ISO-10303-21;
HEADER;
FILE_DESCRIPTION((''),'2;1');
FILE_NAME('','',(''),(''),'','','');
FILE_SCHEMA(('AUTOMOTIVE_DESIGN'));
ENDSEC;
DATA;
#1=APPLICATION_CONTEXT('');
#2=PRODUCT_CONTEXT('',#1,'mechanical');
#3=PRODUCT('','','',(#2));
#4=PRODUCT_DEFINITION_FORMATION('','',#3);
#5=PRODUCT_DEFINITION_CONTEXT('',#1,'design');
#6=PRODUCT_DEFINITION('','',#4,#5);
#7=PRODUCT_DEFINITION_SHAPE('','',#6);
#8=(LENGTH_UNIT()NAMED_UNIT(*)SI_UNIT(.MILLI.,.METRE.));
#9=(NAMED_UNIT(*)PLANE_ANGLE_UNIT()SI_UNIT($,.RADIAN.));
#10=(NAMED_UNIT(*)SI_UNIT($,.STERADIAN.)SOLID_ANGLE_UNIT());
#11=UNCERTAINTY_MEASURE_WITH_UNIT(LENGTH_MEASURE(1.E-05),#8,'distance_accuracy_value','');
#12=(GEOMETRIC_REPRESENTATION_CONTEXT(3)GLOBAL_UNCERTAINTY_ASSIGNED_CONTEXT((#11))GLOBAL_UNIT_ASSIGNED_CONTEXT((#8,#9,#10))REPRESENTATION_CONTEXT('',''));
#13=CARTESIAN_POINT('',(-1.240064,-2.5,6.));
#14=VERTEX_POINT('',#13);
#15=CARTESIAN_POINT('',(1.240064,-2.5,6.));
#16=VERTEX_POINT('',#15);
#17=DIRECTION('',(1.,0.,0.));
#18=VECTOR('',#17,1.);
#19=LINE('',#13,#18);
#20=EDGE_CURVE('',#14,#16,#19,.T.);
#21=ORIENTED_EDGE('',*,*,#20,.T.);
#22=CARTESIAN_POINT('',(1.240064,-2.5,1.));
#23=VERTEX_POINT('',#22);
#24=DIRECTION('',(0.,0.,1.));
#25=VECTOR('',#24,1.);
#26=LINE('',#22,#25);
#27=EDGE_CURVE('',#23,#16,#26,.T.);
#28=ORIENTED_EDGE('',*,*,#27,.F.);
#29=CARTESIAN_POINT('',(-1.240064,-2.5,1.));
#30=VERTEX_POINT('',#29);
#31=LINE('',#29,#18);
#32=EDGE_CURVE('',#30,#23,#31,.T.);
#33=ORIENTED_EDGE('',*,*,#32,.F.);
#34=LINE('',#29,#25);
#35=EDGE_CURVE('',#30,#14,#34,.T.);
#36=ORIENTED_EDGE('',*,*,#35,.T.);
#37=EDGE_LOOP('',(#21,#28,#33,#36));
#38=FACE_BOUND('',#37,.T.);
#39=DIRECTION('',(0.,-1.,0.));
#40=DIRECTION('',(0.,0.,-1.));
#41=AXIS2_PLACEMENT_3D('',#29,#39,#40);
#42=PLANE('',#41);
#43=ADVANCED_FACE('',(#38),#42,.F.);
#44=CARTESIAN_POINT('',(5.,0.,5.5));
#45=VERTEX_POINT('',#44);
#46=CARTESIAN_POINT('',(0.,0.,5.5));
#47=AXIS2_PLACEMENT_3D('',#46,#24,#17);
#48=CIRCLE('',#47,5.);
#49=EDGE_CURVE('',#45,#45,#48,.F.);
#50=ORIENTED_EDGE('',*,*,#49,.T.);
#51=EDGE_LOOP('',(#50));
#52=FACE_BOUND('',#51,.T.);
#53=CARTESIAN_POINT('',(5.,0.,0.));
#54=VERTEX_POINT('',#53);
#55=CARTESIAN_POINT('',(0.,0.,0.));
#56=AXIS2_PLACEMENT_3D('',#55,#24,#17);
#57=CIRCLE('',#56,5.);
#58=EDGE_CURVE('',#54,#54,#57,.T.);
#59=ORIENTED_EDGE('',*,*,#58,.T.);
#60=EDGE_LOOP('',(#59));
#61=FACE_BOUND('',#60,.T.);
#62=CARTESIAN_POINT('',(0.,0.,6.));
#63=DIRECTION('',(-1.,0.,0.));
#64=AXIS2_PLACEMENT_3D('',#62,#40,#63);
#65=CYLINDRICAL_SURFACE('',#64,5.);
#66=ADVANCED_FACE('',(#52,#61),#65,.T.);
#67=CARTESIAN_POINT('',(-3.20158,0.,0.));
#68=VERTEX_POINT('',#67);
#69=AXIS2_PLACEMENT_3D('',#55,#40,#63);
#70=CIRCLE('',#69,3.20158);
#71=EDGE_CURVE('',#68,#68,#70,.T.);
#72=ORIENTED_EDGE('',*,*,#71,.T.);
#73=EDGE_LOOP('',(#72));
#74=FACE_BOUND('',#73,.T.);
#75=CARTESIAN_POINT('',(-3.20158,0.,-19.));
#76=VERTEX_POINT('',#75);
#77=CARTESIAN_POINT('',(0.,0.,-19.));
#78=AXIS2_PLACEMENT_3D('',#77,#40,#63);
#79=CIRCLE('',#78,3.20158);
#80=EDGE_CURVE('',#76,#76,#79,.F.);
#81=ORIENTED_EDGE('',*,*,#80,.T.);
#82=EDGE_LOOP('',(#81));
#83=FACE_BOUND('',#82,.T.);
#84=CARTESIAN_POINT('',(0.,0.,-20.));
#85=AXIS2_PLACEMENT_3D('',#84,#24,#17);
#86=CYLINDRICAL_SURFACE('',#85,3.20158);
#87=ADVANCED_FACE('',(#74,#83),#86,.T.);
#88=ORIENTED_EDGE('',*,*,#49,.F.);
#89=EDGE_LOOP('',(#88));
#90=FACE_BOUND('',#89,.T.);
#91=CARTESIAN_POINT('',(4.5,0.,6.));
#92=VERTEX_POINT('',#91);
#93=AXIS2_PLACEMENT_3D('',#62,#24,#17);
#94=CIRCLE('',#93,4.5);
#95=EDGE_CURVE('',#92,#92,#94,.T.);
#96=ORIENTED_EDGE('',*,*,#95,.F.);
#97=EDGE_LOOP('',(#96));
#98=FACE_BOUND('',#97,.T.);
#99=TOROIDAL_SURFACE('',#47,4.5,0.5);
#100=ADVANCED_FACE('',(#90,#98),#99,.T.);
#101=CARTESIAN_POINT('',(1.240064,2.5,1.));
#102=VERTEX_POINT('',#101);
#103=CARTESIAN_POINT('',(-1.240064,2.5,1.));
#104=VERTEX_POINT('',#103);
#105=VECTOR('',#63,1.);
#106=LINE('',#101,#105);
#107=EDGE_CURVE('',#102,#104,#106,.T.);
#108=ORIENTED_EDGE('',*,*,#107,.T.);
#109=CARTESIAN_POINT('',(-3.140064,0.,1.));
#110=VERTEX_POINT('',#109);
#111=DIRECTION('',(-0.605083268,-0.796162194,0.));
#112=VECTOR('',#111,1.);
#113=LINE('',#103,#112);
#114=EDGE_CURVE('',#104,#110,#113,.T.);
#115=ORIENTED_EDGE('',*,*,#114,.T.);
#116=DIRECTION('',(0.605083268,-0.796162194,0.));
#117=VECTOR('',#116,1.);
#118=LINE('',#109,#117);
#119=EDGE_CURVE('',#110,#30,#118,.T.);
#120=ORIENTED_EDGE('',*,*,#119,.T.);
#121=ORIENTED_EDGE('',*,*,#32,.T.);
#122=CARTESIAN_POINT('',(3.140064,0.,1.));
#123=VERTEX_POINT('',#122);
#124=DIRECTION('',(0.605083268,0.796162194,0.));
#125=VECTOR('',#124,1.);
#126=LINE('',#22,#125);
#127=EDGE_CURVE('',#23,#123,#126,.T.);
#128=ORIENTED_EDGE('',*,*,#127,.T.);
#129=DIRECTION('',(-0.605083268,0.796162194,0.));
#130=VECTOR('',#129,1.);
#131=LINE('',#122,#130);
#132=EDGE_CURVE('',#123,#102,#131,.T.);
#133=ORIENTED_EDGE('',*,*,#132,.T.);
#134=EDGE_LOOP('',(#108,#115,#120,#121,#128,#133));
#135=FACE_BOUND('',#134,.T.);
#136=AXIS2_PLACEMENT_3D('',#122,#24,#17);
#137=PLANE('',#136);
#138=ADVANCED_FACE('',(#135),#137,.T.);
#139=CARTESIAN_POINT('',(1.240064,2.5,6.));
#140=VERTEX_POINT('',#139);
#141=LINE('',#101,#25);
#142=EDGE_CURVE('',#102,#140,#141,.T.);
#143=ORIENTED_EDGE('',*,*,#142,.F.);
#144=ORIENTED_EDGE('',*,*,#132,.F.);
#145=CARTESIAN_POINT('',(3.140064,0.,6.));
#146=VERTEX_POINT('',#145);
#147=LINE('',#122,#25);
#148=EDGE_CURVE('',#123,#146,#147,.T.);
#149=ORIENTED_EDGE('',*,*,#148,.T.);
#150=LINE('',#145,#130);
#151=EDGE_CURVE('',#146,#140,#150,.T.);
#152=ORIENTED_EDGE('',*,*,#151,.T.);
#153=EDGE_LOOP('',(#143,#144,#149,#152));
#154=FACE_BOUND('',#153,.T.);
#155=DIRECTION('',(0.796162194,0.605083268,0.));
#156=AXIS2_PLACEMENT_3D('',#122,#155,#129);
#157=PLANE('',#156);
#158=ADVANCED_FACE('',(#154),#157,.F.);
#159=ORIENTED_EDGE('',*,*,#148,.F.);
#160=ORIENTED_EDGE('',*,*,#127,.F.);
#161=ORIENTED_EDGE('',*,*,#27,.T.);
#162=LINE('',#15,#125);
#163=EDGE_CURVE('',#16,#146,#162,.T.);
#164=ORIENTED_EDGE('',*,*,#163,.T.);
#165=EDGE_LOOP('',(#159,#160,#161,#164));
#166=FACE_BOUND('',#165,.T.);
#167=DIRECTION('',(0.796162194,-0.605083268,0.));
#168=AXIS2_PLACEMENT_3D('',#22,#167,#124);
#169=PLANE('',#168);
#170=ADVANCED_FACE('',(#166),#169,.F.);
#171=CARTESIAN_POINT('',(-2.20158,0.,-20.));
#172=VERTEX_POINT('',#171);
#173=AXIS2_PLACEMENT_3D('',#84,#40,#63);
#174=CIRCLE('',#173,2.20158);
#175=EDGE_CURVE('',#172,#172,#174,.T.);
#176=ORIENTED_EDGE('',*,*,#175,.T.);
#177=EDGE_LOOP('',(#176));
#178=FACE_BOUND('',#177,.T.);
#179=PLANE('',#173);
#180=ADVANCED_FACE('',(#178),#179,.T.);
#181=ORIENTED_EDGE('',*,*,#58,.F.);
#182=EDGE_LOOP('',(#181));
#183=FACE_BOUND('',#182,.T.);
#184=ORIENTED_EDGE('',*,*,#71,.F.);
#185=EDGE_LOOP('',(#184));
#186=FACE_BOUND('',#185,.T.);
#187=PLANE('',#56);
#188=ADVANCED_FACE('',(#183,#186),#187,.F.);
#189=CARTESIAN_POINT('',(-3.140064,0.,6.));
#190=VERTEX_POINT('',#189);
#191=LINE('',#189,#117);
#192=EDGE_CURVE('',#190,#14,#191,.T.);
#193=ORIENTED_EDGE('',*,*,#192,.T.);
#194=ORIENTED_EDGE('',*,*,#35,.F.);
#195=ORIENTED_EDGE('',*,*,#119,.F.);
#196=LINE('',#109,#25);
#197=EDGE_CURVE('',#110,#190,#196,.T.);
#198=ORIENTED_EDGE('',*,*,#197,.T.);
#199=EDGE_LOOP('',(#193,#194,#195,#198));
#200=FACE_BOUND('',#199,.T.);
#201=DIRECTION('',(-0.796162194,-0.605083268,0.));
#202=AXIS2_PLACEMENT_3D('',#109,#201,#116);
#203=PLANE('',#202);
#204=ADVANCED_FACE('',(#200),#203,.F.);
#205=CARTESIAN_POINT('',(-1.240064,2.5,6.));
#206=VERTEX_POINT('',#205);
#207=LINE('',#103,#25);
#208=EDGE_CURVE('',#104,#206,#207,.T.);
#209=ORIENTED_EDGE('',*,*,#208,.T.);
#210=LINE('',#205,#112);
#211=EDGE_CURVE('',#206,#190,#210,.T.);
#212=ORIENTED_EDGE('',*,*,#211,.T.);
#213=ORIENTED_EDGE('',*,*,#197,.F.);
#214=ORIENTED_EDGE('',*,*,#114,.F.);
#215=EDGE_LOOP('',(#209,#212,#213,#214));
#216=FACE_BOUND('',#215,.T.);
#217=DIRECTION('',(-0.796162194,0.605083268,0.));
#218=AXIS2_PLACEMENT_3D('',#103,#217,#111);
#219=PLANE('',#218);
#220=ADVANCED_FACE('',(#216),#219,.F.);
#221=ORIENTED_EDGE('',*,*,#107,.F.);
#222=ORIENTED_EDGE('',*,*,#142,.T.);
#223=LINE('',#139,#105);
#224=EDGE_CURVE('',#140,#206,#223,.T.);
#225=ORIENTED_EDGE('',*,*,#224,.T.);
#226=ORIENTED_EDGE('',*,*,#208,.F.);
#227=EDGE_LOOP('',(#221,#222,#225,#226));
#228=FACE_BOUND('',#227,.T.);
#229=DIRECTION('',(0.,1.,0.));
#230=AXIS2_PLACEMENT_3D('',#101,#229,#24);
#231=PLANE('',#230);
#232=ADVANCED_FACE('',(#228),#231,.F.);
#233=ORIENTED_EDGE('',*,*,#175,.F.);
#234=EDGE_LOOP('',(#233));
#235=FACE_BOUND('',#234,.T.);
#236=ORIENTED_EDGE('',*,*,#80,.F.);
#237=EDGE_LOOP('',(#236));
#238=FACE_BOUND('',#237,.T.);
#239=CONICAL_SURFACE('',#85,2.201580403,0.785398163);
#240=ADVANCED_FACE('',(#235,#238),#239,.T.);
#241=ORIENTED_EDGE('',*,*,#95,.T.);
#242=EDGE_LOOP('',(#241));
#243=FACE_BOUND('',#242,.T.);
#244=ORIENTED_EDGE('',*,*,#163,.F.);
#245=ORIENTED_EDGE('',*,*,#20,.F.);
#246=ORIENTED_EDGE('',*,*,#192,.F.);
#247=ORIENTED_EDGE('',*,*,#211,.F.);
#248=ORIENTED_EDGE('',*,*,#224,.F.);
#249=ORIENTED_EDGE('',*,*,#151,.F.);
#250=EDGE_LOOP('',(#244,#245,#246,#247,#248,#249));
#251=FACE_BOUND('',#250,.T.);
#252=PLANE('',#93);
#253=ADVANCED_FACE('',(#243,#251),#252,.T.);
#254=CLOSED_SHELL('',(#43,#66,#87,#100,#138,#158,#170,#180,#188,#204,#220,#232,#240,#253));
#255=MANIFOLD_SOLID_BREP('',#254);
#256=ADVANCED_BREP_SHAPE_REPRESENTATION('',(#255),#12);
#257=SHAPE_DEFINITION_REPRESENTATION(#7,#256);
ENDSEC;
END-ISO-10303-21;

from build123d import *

# Parameters (mm, degrees)
ESQUISSE1_R             = 5
BASE_EXTRUSION_DEPTH    = 6
ESQUISSE2_R             = 3.201580403
BOSS_EXTRU_1_DEPTH      = 20
ENL_V_MAT_EXTRU_1_DEPTH = 5
CONG_1_R                = 0.5
CHANFREIN1_SIZE         = 1


with BuildPart() as part:
    # Esquisse1 → Base-Extrusion (new body)
    with BuildSketch(Plane.XY):
        Circle(ESQUISSE1_R)
    extrude(amount=BASE_EXTRUSION_DEPTH)

    # Esquisse2 → Boss.-Extru.1 (add)
    with BuildSketch(Plane(origin=(0, 0, 0), x_dir=(-1, 0, 0), z_dir=(0, 0, -1))):
        Circle(ESQUISSE2_R)
    extrude(amount=BOSS_EXTRU_1_DEPTH)

    # Esquisse3 → Enlèv. mat.-Extru.1 (cut)
    with BuildSketch(Plane.XY.offset(6)):
        Polygon((3.140063694, 0), (1.240063694, 2.5), (-1.240063694, 2.5), (-3.140063694, 0), (-1.240063694, -2.5), (1.240063694, -2.5), align=None)
    extrude(amount=-ENL_V_MAT_EXTRU_1_DEPTH, mode=Mode.SUBTRACT)

    # Congé1
    cong_1_edges = [part.edges().sort_by_distance(p)[0] for p in [
        (-5, 0, 6),
    ]]
    fillet(cong_1_edges, radius=CONG_1_R)

    # Chanfrein1
    chanfrein1_edges = [part.edges().sort_by_distance(p)[0] for p in [
        (3.201580403, 0, -20),
    ]]
    chamfer(chanfrein1_edges, length=CHANFREIN1_SIZE)


solid = part.part
